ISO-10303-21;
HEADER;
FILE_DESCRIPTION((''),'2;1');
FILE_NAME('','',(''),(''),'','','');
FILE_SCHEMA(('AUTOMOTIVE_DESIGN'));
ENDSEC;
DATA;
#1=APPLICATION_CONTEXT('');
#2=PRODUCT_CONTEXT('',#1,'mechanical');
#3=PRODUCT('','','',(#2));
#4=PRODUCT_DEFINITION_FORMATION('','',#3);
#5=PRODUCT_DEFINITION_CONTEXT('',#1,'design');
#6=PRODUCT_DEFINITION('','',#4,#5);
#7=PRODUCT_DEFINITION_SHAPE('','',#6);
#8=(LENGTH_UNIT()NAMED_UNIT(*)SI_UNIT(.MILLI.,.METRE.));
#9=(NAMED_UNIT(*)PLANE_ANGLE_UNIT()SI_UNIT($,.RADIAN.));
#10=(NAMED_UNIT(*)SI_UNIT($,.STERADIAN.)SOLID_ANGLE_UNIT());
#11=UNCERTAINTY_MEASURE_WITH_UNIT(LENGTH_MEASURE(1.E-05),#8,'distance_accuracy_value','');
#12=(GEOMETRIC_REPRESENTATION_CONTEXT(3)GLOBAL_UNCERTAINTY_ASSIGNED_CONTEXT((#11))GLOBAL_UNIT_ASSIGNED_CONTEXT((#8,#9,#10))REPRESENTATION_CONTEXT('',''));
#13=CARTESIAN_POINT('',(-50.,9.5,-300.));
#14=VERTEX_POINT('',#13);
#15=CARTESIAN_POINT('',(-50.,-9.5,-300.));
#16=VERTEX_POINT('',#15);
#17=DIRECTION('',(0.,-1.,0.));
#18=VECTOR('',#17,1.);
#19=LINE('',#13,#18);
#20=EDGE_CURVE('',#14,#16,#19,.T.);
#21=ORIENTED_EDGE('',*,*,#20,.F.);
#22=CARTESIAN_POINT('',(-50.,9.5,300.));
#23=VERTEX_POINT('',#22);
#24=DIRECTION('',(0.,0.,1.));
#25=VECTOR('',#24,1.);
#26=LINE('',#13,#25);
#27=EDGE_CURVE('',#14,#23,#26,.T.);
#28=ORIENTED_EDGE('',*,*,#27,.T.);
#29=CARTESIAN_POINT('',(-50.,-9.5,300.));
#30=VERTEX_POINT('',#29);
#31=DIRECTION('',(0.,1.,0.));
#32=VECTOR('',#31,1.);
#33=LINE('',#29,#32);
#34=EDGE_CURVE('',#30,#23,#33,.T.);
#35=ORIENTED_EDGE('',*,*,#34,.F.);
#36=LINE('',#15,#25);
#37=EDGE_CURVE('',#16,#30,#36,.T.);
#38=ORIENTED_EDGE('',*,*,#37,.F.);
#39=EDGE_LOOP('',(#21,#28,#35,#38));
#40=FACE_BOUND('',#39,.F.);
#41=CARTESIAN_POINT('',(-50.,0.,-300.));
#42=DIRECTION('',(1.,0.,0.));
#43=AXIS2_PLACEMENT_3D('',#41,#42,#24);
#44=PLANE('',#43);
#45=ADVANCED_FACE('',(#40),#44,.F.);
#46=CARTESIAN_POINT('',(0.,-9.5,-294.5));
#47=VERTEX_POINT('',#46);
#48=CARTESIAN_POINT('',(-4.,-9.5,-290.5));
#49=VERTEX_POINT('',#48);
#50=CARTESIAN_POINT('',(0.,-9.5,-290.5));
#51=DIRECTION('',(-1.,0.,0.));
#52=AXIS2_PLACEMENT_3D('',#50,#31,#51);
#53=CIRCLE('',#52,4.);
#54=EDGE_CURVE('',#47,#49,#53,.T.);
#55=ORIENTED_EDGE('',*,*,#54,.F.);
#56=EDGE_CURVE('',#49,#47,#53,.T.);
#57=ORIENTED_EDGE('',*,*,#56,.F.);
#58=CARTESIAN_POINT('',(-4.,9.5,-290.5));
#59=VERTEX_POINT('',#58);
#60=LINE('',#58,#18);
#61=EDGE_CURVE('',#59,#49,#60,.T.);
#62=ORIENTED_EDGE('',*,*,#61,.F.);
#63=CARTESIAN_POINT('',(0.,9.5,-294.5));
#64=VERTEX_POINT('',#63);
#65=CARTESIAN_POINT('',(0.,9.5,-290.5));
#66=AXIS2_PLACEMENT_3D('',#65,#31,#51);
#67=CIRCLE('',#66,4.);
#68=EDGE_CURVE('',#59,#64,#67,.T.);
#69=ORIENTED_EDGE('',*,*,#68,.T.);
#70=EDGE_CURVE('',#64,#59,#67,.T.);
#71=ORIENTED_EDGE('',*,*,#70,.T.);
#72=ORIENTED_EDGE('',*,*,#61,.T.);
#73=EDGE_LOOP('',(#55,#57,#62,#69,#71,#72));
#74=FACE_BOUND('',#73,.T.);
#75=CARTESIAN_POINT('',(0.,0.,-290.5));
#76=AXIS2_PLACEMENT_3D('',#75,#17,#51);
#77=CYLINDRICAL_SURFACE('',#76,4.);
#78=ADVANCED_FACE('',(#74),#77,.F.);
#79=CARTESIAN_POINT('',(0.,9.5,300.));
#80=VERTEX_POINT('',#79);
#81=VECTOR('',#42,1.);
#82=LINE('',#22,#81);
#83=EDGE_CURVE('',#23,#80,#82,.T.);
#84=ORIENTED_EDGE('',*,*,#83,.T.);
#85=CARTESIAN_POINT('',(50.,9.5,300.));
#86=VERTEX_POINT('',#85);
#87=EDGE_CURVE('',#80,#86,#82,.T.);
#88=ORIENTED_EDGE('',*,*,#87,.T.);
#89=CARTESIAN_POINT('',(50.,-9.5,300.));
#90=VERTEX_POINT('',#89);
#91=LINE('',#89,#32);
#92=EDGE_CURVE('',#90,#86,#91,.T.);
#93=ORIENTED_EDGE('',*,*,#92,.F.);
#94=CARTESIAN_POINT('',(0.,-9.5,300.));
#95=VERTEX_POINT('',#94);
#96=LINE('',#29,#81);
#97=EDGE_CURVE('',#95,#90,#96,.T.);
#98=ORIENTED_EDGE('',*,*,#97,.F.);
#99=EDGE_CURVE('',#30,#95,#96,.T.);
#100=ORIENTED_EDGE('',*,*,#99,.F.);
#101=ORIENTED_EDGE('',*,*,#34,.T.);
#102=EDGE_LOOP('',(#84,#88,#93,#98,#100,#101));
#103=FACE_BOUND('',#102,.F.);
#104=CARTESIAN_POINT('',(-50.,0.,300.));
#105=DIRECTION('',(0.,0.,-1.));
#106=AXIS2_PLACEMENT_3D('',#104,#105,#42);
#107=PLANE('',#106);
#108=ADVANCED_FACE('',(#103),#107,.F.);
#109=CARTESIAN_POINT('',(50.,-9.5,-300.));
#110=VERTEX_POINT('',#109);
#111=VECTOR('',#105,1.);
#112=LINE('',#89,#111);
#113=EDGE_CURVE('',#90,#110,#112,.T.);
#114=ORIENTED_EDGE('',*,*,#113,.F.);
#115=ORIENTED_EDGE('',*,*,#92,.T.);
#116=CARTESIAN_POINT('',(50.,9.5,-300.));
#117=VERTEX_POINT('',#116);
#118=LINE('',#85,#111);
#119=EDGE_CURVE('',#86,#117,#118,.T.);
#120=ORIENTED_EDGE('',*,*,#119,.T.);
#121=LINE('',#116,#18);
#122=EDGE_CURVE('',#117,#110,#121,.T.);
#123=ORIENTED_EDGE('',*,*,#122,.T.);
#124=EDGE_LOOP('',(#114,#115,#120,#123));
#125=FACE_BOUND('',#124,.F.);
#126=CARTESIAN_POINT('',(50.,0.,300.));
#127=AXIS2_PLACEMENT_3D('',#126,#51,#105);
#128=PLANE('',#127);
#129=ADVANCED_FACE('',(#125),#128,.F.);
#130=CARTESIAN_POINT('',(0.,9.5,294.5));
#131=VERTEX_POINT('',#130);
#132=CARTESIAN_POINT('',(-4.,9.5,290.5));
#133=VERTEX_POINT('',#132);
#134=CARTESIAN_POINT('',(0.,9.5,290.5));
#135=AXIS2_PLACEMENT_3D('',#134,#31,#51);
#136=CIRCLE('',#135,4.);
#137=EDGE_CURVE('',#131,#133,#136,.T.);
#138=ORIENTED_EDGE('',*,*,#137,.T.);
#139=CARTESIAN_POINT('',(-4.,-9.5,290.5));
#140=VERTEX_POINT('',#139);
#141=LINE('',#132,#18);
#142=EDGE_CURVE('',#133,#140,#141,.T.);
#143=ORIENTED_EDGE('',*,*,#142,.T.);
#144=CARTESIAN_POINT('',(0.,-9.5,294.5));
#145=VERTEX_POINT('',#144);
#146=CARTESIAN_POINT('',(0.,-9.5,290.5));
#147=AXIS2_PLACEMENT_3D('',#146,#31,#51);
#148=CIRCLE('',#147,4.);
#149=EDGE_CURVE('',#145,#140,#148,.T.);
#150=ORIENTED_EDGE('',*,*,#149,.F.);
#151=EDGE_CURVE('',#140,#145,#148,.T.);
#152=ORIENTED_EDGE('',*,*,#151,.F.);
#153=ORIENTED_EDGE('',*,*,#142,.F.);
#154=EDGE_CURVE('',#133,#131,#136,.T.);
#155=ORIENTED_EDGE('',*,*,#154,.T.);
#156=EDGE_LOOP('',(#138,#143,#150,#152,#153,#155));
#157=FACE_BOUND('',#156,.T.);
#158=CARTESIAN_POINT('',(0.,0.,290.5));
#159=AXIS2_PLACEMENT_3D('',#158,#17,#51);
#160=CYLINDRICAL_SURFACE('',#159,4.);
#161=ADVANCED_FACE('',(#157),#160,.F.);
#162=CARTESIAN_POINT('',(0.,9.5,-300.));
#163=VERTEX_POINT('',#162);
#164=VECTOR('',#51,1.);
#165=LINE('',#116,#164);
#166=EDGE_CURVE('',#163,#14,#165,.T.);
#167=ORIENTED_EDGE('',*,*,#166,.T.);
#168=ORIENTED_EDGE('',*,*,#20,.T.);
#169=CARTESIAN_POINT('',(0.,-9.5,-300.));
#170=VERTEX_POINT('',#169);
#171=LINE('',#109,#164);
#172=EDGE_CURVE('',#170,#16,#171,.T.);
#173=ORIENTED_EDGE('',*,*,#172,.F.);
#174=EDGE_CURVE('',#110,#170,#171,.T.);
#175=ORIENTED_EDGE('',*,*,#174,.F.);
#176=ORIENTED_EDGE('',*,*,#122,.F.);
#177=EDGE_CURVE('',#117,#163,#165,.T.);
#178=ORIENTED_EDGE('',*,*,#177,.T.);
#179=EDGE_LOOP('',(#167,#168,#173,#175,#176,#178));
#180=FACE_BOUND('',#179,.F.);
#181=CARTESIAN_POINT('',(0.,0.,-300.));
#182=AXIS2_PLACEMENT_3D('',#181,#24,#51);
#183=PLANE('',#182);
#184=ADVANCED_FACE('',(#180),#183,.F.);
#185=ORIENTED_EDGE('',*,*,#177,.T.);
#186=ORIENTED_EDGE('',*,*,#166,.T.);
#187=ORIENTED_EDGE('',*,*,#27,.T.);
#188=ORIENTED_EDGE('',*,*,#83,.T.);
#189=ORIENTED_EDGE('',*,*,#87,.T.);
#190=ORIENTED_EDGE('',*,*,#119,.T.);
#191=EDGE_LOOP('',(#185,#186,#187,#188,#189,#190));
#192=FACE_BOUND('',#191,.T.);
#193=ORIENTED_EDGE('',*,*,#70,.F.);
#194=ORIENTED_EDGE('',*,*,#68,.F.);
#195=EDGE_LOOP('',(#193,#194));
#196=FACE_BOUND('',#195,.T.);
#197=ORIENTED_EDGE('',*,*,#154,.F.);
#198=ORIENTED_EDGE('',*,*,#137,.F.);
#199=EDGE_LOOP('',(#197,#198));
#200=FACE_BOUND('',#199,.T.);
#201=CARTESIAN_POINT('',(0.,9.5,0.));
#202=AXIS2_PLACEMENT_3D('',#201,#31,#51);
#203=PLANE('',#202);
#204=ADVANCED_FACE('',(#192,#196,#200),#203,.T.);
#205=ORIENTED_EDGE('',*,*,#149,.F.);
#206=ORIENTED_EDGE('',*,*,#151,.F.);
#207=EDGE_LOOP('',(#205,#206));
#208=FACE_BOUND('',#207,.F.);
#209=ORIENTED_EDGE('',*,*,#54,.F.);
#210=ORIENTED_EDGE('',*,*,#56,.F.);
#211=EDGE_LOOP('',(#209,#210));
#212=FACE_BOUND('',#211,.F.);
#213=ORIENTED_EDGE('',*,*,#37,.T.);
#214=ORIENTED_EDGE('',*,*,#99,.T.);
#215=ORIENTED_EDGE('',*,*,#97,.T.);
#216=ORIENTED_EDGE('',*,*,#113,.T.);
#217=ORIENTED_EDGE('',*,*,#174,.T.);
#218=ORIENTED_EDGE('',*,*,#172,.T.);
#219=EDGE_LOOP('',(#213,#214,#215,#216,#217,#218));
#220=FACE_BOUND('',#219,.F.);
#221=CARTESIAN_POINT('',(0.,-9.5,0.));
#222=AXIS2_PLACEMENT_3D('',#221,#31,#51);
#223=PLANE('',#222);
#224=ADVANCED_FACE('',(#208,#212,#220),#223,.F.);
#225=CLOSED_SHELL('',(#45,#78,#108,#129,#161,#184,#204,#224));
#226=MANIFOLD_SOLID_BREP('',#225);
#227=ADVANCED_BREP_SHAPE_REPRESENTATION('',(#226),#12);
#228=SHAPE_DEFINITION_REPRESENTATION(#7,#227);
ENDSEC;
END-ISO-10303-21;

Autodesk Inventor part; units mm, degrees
ref_plane "YZ Plane" through (0, 0, 0) normal (1, 0, 0) x (0, 1, 0)
ref_plane "XZ Plane" through (0, 0, 0) normal (0, 1, 0) x (-1, 0, 0)
ref_plane "XY Plane" through (0, 0, 0) normal (0, 0, 1) x (1, 0, 0)
sketch "Sketch1" plane through (0, 0, 0) normal (0, 1, 0) x (-1, 0, 0)
  line L0 (50, 300) -> (-50, 300)
  line L1 (-50, 300) -> (-50, -300)
  line L2 (-50, -300) -> (50, -300)
  line L3 (50, -300) -> (50, 300)
  line L4 (0, 300) -> (0, 290.5)
  line L5 (0, -300) -> (0, -290.5)
  circle A0 centre (0, -290.5) radius 4
  circle A1 centre (0, 290.5) radius 4
  dimension "d0" = 100
  dimension "d1" = 600
  dimension "d2" = 9.5
  dimension "d3" = 9.5
  dimension "d4" = 8
  dimension "d5" = 8
extrude "Extrusion1" add sketch "Sketch1" along normal mid plane 19
properties part number "J"
